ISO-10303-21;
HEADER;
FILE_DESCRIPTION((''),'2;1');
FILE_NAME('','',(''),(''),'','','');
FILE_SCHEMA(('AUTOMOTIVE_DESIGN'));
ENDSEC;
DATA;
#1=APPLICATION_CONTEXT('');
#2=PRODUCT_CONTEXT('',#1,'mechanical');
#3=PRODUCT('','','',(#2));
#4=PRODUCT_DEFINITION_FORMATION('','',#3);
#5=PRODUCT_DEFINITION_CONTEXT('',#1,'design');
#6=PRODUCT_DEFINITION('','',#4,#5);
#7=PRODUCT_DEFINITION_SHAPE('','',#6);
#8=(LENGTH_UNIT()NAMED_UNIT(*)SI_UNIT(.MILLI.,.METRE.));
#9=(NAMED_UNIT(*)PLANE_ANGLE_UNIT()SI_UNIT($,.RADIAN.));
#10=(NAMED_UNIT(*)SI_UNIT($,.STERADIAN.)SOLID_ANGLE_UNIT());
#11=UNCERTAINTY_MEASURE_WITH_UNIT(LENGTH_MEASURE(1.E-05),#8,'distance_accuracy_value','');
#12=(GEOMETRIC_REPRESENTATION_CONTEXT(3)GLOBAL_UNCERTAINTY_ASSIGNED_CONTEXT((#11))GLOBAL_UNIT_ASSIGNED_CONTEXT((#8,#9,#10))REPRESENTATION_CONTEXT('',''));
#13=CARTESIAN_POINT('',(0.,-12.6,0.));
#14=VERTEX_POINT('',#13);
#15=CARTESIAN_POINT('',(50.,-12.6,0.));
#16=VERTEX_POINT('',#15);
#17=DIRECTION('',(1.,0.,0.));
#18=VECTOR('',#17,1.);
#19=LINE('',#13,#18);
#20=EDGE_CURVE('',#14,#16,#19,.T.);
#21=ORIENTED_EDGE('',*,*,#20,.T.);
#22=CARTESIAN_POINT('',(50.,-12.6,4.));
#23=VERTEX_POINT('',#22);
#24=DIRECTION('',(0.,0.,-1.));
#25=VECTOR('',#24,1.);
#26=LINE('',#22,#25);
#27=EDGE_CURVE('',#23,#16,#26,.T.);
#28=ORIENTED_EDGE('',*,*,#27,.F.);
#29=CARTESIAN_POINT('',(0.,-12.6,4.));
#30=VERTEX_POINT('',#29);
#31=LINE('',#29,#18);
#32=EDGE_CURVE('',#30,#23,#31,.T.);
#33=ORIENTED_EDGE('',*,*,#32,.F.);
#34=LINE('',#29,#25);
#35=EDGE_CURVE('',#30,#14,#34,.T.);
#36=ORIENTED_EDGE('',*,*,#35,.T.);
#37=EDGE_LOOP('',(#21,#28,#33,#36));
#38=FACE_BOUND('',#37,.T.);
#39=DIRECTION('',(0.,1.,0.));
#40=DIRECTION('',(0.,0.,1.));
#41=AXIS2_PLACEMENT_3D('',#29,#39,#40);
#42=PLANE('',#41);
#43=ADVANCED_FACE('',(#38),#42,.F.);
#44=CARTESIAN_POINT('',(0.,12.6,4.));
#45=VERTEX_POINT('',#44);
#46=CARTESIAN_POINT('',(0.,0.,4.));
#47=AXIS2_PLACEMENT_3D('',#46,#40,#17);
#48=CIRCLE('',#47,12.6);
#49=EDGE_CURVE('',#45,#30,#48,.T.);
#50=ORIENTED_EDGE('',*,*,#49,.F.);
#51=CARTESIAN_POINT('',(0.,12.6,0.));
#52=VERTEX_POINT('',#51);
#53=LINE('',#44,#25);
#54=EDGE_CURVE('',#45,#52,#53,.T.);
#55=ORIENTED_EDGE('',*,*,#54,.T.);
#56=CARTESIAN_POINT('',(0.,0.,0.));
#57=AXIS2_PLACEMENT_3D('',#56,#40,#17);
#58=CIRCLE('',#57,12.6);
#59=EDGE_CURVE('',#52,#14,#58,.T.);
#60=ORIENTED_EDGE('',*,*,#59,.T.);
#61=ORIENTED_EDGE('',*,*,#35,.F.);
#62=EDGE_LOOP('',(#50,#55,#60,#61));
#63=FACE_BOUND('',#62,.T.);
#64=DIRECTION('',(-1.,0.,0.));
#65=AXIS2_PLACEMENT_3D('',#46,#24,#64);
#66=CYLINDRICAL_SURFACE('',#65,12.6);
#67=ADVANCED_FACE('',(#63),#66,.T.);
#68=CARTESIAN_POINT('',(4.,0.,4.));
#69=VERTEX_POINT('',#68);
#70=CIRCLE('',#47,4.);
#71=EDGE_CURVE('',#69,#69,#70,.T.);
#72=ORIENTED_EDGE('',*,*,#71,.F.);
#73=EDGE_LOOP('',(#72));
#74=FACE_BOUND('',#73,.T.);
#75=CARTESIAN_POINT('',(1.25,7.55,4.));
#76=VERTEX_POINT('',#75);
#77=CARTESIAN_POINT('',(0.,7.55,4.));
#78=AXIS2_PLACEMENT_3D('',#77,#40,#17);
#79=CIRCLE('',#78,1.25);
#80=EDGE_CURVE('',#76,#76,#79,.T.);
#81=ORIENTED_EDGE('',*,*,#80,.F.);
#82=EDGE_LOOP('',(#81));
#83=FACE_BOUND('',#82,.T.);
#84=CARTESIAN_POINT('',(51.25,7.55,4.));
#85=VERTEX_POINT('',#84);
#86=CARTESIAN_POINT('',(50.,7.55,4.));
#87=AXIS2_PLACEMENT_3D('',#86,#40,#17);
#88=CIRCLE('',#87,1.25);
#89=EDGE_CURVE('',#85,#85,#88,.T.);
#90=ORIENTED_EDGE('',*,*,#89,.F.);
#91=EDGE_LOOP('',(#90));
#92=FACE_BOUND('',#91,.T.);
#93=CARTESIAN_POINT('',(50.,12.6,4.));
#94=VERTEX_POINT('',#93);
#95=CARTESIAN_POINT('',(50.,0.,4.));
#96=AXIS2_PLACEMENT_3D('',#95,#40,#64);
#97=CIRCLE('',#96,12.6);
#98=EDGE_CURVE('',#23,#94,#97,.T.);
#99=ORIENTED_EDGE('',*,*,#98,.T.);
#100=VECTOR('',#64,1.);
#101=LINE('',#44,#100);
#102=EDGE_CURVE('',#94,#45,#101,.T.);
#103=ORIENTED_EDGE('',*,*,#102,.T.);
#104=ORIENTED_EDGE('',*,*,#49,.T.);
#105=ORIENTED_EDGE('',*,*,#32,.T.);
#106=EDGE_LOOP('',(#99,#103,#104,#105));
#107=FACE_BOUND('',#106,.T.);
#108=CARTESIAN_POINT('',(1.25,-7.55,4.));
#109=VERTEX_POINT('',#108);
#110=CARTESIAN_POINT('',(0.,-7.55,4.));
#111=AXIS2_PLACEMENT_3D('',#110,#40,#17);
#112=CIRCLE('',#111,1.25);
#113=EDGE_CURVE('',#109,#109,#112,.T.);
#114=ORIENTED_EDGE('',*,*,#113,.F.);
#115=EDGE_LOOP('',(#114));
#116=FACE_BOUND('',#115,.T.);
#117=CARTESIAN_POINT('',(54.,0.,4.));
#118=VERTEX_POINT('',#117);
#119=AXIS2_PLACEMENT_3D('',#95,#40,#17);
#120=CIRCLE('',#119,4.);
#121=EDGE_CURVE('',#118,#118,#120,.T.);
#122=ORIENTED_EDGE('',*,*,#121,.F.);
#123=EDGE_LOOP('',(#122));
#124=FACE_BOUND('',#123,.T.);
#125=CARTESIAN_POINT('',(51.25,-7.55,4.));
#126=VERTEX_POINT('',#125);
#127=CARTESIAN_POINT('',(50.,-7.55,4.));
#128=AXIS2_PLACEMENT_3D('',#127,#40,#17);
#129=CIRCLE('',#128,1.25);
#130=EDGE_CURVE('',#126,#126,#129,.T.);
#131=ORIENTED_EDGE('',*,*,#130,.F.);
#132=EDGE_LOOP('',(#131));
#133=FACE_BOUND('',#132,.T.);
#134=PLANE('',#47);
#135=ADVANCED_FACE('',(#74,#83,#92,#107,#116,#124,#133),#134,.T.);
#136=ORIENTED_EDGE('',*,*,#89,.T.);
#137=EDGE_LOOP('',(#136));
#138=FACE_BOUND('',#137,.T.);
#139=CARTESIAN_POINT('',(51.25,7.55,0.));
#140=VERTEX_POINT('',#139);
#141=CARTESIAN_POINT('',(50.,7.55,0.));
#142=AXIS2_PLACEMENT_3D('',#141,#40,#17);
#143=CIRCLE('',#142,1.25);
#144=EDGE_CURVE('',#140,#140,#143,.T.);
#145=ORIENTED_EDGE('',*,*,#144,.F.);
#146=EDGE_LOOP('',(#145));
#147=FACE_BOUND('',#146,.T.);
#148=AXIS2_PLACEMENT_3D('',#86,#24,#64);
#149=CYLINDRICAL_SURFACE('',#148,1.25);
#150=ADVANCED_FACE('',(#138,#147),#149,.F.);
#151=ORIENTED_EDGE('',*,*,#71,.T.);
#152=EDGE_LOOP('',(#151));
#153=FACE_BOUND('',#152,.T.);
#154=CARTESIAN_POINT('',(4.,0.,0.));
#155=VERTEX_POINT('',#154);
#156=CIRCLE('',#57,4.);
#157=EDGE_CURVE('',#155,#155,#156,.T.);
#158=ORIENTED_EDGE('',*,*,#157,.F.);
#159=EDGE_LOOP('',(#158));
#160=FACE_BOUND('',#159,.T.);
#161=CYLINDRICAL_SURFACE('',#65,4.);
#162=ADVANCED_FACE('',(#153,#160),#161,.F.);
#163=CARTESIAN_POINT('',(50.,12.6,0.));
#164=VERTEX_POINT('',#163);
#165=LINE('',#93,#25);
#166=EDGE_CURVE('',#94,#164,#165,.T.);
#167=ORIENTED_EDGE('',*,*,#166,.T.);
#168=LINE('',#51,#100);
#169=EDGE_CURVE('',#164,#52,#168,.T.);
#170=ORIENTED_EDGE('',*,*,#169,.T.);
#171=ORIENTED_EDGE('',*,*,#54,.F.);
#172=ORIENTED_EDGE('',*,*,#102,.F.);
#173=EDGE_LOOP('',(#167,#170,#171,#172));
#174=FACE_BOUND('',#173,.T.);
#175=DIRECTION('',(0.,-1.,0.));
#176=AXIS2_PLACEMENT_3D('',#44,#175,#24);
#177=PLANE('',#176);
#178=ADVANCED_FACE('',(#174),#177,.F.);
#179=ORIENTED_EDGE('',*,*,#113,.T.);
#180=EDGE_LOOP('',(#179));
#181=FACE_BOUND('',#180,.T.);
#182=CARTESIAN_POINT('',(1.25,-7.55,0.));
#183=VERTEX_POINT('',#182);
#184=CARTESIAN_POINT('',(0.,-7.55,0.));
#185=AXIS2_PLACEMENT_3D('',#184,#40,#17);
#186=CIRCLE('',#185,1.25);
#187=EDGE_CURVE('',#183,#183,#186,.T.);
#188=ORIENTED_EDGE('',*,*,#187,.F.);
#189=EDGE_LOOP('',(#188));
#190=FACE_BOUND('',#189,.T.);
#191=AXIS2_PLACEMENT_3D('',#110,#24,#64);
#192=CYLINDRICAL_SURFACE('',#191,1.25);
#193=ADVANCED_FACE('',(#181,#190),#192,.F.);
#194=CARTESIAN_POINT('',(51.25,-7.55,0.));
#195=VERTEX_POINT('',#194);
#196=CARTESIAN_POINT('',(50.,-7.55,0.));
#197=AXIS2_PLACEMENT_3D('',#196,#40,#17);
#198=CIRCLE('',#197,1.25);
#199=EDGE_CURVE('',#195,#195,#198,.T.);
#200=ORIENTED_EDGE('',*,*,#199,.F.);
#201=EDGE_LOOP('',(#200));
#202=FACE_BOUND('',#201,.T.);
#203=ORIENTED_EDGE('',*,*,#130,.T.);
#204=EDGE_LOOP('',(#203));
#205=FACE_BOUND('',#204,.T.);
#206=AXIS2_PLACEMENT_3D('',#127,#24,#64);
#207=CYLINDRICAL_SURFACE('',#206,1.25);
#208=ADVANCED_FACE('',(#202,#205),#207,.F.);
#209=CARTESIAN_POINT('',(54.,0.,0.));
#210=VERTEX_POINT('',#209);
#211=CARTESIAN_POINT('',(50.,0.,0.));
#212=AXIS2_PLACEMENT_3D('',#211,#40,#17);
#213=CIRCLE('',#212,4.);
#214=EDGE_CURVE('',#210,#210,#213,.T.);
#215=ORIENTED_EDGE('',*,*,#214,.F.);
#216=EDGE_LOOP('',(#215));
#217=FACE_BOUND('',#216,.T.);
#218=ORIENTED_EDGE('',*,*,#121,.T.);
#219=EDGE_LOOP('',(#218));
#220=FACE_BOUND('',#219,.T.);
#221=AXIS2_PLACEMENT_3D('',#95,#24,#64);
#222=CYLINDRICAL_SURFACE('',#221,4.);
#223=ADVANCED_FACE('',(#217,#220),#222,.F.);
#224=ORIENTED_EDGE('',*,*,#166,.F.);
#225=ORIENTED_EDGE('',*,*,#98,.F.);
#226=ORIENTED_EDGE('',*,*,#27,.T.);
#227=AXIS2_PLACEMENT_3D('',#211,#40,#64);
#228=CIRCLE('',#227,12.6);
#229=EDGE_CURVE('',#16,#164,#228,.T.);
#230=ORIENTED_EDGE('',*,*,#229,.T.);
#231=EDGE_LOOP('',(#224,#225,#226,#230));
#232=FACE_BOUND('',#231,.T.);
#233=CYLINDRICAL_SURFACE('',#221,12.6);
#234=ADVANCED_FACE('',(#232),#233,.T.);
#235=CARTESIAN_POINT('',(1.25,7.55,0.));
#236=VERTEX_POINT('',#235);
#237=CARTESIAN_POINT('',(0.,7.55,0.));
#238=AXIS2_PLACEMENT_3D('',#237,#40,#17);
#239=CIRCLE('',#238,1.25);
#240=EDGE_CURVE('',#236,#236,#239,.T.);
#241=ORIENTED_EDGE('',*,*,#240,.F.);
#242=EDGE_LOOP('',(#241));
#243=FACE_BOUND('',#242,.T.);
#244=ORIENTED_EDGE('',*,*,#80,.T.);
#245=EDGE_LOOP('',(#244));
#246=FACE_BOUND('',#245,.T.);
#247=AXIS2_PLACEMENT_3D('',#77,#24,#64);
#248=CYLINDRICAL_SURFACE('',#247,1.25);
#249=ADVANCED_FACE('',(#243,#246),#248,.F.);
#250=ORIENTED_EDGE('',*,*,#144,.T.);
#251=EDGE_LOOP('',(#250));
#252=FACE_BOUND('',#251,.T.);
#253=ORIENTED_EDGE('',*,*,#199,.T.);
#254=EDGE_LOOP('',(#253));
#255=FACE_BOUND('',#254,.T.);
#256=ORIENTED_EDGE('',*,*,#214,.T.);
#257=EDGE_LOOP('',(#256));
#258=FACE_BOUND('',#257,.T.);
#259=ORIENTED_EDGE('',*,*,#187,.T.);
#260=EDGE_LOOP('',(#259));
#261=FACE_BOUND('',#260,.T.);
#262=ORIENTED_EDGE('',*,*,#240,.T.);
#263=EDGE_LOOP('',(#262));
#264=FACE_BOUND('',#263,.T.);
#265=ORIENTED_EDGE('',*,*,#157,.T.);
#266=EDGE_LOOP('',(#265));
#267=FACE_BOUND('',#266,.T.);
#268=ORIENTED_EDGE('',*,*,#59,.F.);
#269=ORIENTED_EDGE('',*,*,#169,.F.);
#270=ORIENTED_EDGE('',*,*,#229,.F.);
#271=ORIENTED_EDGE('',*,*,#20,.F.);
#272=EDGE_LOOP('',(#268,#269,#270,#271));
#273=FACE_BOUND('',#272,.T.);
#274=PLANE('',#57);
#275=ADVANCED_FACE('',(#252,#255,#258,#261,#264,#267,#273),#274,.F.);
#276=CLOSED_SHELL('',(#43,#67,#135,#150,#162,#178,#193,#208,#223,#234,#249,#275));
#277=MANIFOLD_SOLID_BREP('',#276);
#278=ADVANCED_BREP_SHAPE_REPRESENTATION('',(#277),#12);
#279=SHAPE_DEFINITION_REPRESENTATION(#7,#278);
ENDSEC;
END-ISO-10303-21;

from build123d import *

# Parameters (mm, degrees)
SKETCH1_R           = 4
SKETCH1_R_2         = 1.25
BOSS_EXTRUDE1_DEPTH = 4


with BuildPart() as part:
    # Sketch1 → Boss-Extrude1 (new body)
    with BuildSketch(Plane.XY):
        with BuildLine():
            Line((0, 12.6), (50, 12.6))
            ThreePointArc((50, 12.6), (62.6, 0), (50, -12.6))
            Line((50, -12.6), (0, -12.6))
            ThreePointArc((0, -12.6), (-12.6, 0), (0, 12.6))
        make_face()
        Circle(SKETCH1_R, mode=Mode.SUBTRACT)
        with Locations((50, 0)):
            Circle(SKETCH1_R, mode=Mode.SUBTRACT)
        with Locations((0, 7.55)):
            Circle(SKETCH1_R_2, mode=Mode.SUBTRACT)
        with Locations((0, -7.55)):
            Circle(SKETCH1_R_2, mode=Mode.SUBTRACT)
        with Locations((50, 7.55)):
            Circle(SKETCH1_R_2, mode=Mode.SUBTRACT)
        with Locations((50, -7.55)):
            Circle(SKETCH1_R_2, mode=Mode.SUBTRACT)
    extrude(amount=BOSS_EXTRUDE1_DEPTH)


solid = part.part
